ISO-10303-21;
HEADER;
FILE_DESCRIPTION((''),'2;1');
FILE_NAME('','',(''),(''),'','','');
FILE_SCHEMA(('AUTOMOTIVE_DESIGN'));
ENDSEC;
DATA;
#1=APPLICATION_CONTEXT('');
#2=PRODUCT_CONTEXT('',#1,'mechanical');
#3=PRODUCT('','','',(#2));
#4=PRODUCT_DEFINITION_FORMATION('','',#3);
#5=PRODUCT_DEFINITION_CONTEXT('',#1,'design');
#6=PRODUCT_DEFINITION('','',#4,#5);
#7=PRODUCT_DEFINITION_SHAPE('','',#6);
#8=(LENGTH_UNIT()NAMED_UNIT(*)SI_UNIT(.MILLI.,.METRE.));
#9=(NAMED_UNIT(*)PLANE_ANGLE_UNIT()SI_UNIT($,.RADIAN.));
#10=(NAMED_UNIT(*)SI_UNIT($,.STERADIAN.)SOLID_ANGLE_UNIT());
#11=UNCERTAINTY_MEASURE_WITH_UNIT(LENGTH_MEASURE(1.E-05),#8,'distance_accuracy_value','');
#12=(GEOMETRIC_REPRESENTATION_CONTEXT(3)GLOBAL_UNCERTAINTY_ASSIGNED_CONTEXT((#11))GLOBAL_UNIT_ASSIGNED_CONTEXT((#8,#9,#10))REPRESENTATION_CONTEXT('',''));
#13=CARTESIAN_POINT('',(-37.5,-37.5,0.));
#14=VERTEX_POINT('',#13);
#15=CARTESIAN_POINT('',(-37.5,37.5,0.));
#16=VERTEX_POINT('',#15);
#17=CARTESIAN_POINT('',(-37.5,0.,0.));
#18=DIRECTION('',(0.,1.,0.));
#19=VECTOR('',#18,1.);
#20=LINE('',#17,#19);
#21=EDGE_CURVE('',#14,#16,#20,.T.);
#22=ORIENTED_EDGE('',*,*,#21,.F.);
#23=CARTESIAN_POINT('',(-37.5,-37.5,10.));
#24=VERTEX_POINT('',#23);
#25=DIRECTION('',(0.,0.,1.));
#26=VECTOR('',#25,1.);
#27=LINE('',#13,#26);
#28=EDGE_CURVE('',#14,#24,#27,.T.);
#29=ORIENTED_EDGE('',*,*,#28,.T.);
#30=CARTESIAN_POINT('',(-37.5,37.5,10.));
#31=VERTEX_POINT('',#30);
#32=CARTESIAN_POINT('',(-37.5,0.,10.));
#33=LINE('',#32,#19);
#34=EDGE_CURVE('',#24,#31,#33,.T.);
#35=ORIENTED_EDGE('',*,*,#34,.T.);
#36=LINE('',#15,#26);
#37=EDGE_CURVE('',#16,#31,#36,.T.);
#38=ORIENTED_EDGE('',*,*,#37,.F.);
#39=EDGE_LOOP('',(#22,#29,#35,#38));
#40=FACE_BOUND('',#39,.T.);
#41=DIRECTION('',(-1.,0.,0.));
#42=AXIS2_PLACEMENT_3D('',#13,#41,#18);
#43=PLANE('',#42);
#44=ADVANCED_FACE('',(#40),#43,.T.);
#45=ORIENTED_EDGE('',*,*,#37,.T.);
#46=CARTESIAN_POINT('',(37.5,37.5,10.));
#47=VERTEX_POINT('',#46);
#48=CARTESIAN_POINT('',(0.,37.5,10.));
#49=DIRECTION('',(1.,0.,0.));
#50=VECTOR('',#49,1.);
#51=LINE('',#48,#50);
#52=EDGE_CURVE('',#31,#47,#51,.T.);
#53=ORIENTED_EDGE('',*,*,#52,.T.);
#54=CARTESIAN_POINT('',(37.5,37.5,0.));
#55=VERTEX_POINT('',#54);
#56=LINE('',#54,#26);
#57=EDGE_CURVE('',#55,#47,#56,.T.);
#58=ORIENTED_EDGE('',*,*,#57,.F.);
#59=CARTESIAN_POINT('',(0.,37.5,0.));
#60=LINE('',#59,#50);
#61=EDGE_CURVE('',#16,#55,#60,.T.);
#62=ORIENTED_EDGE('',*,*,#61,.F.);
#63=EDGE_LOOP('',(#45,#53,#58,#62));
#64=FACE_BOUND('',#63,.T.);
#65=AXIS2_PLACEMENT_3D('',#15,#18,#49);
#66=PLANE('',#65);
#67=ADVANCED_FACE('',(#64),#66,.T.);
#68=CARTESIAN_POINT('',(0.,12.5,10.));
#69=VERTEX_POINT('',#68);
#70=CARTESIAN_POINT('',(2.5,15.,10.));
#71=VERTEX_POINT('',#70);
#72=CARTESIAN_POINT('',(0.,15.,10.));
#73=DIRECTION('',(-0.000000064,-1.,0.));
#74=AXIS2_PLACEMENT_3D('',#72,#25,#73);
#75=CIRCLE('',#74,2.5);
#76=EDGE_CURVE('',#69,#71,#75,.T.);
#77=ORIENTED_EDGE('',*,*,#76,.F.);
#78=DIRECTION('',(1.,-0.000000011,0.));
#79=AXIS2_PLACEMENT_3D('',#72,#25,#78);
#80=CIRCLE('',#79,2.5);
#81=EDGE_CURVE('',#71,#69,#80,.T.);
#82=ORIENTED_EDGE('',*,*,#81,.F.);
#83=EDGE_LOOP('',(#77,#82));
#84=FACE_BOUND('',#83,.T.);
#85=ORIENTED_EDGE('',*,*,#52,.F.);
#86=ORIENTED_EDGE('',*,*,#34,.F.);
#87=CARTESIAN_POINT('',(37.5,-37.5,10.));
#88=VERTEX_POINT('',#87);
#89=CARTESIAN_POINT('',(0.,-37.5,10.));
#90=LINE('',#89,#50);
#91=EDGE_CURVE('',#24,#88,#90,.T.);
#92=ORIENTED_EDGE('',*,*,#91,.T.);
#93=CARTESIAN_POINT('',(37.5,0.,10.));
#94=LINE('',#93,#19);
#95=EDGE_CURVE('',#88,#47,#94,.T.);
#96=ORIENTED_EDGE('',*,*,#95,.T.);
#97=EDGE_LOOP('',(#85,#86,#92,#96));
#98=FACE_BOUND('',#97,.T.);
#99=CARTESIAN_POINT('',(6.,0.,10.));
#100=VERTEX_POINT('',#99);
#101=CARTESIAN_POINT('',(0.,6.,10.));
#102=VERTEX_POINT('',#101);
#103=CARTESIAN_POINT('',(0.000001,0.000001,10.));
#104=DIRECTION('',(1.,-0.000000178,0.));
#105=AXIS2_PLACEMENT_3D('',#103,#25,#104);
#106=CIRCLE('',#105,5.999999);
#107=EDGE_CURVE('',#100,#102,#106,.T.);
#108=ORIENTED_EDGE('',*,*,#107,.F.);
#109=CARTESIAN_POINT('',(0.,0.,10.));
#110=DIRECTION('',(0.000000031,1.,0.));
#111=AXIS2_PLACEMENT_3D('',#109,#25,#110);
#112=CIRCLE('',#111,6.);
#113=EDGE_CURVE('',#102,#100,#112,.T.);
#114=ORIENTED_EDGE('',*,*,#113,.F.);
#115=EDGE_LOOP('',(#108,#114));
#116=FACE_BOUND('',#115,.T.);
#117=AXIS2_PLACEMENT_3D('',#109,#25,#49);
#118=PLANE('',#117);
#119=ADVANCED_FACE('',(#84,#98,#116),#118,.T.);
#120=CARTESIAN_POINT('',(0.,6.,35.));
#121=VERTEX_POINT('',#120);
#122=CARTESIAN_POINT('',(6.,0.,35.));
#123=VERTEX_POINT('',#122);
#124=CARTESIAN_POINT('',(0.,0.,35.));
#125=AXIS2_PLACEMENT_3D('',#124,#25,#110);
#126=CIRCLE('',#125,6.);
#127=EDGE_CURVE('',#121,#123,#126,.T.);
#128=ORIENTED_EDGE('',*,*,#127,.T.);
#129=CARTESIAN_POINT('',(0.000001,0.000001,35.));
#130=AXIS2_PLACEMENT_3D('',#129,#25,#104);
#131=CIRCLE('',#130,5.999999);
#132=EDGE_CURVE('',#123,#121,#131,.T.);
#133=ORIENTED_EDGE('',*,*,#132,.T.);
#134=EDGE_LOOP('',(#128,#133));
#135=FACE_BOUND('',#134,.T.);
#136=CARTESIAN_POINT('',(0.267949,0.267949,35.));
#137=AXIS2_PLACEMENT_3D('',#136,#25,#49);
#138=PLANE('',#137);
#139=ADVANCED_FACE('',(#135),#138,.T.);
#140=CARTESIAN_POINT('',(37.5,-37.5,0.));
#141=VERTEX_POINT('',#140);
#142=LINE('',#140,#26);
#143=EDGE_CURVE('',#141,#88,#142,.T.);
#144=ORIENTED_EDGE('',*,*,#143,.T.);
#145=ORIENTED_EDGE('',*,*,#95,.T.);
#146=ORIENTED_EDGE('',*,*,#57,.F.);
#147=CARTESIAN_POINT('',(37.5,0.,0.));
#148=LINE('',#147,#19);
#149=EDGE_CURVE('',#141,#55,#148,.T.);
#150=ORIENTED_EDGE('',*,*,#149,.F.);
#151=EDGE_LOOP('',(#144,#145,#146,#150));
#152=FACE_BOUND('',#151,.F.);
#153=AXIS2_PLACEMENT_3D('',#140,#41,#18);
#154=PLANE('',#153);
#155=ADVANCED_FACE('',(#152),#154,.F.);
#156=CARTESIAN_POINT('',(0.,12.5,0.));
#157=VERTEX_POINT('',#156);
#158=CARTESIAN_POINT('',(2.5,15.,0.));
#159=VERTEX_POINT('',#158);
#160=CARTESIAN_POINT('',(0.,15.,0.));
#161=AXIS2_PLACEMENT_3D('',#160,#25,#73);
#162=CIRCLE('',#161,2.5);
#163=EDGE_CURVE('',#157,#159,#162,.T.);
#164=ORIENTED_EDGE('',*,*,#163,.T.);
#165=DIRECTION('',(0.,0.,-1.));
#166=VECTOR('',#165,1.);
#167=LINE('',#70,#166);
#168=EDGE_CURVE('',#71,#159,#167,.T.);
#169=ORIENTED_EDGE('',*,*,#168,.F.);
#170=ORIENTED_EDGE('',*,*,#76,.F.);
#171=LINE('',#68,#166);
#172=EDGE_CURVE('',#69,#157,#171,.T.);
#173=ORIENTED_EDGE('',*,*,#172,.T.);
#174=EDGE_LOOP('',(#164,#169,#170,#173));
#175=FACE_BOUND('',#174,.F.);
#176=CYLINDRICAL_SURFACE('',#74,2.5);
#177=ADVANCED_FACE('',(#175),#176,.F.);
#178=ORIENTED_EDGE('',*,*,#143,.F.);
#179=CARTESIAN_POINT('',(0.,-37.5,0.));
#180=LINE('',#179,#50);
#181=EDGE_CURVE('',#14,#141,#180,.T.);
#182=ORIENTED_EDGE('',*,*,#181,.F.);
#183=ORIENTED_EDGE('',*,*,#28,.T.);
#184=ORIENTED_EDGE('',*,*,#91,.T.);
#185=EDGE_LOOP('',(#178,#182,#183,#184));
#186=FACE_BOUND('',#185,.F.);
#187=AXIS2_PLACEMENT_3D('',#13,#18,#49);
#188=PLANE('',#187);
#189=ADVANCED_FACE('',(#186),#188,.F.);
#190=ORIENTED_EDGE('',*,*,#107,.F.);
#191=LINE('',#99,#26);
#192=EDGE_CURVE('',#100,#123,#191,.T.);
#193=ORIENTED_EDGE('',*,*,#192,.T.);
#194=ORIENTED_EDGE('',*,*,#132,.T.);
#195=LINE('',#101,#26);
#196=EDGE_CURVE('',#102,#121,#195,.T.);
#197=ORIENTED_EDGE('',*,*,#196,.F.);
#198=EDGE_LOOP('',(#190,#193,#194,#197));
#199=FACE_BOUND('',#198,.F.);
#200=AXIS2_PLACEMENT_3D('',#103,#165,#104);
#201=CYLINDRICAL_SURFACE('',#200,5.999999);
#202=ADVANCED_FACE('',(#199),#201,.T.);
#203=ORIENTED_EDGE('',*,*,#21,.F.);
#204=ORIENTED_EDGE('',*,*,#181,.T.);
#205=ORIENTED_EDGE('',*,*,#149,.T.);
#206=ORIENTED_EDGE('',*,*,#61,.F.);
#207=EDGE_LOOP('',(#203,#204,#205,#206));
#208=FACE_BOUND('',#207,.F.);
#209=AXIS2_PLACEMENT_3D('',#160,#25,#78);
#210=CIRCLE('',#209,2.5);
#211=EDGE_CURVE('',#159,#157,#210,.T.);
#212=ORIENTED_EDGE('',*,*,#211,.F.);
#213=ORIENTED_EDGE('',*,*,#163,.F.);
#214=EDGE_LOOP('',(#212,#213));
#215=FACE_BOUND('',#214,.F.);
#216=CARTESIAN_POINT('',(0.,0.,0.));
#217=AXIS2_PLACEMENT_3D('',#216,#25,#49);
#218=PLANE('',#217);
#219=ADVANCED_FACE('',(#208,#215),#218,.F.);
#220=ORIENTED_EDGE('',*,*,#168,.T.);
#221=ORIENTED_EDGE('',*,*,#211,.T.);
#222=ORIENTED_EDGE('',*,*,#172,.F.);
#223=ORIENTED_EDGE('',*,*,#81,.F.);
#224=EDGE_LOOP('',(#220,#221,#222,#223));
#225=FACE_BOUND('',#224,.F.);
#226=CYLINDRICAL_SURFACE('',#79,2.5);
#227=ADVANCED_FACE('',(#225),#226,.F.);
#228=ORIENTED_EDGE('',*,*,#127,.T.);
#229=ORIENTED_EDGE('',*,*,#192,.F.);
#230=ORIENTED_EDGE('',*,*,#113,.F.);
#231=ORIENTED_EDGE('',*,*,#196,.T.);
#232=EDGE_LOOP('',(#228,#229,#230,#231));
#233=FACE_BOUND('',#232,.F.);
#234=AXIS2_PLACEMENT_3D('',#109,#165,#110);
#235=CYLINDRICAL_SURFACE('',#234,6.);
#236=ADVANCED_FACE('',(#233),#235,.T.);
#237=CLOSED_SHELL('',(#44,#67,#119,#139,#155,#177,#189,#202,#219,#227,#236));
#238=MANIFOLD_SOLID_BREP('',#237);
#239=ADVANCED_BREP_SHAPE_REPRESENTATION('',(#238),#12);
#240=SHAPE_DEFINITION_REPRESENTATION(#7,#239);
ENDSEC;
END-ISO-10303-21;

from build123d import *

# Parameters (mm, degrees)
F0_W     = 75
F0_H     = 75
F1_DEPTH = 10
F3_DEPTH = 25
F4_DEPTH = 10


with BuildPart() as f1:
    # F0 (on Top) → F1 (new body)
    with BuildSketch(Plane.XY):
        Rectangle(F0_W, F0_H)
    extrude(amount=F1_DEPTH)

    # F2 (on face) → F3 (join)
    with BuildSketch(Plane.XY.offset(10)):
        with BuildLine():
            ThreePointArc((0, 6), (-4.242641, -4.242641), (6, 0))
            ThreePointArc((6, 0), (4.242641, 4.242641), (0, 6))
        make_face()
    extrude(amount=F3_DEPTH)

    # F2 (on face) → F4 (cut)
    with BuildSketch(Plane.XY.offset(10)):
        with BuildLine():
            ThreePointArc((2.5, 15), (-1.767767, 16.767767), (0, 12.5))
            ThreePointArc((0, 12.5), (1.767767, 13.232233), (2.5, 15))
        make_face()
    extrude(amount=-F4_DEPTH, mode=Mode.SUBTRACT)


solid = f1.part
